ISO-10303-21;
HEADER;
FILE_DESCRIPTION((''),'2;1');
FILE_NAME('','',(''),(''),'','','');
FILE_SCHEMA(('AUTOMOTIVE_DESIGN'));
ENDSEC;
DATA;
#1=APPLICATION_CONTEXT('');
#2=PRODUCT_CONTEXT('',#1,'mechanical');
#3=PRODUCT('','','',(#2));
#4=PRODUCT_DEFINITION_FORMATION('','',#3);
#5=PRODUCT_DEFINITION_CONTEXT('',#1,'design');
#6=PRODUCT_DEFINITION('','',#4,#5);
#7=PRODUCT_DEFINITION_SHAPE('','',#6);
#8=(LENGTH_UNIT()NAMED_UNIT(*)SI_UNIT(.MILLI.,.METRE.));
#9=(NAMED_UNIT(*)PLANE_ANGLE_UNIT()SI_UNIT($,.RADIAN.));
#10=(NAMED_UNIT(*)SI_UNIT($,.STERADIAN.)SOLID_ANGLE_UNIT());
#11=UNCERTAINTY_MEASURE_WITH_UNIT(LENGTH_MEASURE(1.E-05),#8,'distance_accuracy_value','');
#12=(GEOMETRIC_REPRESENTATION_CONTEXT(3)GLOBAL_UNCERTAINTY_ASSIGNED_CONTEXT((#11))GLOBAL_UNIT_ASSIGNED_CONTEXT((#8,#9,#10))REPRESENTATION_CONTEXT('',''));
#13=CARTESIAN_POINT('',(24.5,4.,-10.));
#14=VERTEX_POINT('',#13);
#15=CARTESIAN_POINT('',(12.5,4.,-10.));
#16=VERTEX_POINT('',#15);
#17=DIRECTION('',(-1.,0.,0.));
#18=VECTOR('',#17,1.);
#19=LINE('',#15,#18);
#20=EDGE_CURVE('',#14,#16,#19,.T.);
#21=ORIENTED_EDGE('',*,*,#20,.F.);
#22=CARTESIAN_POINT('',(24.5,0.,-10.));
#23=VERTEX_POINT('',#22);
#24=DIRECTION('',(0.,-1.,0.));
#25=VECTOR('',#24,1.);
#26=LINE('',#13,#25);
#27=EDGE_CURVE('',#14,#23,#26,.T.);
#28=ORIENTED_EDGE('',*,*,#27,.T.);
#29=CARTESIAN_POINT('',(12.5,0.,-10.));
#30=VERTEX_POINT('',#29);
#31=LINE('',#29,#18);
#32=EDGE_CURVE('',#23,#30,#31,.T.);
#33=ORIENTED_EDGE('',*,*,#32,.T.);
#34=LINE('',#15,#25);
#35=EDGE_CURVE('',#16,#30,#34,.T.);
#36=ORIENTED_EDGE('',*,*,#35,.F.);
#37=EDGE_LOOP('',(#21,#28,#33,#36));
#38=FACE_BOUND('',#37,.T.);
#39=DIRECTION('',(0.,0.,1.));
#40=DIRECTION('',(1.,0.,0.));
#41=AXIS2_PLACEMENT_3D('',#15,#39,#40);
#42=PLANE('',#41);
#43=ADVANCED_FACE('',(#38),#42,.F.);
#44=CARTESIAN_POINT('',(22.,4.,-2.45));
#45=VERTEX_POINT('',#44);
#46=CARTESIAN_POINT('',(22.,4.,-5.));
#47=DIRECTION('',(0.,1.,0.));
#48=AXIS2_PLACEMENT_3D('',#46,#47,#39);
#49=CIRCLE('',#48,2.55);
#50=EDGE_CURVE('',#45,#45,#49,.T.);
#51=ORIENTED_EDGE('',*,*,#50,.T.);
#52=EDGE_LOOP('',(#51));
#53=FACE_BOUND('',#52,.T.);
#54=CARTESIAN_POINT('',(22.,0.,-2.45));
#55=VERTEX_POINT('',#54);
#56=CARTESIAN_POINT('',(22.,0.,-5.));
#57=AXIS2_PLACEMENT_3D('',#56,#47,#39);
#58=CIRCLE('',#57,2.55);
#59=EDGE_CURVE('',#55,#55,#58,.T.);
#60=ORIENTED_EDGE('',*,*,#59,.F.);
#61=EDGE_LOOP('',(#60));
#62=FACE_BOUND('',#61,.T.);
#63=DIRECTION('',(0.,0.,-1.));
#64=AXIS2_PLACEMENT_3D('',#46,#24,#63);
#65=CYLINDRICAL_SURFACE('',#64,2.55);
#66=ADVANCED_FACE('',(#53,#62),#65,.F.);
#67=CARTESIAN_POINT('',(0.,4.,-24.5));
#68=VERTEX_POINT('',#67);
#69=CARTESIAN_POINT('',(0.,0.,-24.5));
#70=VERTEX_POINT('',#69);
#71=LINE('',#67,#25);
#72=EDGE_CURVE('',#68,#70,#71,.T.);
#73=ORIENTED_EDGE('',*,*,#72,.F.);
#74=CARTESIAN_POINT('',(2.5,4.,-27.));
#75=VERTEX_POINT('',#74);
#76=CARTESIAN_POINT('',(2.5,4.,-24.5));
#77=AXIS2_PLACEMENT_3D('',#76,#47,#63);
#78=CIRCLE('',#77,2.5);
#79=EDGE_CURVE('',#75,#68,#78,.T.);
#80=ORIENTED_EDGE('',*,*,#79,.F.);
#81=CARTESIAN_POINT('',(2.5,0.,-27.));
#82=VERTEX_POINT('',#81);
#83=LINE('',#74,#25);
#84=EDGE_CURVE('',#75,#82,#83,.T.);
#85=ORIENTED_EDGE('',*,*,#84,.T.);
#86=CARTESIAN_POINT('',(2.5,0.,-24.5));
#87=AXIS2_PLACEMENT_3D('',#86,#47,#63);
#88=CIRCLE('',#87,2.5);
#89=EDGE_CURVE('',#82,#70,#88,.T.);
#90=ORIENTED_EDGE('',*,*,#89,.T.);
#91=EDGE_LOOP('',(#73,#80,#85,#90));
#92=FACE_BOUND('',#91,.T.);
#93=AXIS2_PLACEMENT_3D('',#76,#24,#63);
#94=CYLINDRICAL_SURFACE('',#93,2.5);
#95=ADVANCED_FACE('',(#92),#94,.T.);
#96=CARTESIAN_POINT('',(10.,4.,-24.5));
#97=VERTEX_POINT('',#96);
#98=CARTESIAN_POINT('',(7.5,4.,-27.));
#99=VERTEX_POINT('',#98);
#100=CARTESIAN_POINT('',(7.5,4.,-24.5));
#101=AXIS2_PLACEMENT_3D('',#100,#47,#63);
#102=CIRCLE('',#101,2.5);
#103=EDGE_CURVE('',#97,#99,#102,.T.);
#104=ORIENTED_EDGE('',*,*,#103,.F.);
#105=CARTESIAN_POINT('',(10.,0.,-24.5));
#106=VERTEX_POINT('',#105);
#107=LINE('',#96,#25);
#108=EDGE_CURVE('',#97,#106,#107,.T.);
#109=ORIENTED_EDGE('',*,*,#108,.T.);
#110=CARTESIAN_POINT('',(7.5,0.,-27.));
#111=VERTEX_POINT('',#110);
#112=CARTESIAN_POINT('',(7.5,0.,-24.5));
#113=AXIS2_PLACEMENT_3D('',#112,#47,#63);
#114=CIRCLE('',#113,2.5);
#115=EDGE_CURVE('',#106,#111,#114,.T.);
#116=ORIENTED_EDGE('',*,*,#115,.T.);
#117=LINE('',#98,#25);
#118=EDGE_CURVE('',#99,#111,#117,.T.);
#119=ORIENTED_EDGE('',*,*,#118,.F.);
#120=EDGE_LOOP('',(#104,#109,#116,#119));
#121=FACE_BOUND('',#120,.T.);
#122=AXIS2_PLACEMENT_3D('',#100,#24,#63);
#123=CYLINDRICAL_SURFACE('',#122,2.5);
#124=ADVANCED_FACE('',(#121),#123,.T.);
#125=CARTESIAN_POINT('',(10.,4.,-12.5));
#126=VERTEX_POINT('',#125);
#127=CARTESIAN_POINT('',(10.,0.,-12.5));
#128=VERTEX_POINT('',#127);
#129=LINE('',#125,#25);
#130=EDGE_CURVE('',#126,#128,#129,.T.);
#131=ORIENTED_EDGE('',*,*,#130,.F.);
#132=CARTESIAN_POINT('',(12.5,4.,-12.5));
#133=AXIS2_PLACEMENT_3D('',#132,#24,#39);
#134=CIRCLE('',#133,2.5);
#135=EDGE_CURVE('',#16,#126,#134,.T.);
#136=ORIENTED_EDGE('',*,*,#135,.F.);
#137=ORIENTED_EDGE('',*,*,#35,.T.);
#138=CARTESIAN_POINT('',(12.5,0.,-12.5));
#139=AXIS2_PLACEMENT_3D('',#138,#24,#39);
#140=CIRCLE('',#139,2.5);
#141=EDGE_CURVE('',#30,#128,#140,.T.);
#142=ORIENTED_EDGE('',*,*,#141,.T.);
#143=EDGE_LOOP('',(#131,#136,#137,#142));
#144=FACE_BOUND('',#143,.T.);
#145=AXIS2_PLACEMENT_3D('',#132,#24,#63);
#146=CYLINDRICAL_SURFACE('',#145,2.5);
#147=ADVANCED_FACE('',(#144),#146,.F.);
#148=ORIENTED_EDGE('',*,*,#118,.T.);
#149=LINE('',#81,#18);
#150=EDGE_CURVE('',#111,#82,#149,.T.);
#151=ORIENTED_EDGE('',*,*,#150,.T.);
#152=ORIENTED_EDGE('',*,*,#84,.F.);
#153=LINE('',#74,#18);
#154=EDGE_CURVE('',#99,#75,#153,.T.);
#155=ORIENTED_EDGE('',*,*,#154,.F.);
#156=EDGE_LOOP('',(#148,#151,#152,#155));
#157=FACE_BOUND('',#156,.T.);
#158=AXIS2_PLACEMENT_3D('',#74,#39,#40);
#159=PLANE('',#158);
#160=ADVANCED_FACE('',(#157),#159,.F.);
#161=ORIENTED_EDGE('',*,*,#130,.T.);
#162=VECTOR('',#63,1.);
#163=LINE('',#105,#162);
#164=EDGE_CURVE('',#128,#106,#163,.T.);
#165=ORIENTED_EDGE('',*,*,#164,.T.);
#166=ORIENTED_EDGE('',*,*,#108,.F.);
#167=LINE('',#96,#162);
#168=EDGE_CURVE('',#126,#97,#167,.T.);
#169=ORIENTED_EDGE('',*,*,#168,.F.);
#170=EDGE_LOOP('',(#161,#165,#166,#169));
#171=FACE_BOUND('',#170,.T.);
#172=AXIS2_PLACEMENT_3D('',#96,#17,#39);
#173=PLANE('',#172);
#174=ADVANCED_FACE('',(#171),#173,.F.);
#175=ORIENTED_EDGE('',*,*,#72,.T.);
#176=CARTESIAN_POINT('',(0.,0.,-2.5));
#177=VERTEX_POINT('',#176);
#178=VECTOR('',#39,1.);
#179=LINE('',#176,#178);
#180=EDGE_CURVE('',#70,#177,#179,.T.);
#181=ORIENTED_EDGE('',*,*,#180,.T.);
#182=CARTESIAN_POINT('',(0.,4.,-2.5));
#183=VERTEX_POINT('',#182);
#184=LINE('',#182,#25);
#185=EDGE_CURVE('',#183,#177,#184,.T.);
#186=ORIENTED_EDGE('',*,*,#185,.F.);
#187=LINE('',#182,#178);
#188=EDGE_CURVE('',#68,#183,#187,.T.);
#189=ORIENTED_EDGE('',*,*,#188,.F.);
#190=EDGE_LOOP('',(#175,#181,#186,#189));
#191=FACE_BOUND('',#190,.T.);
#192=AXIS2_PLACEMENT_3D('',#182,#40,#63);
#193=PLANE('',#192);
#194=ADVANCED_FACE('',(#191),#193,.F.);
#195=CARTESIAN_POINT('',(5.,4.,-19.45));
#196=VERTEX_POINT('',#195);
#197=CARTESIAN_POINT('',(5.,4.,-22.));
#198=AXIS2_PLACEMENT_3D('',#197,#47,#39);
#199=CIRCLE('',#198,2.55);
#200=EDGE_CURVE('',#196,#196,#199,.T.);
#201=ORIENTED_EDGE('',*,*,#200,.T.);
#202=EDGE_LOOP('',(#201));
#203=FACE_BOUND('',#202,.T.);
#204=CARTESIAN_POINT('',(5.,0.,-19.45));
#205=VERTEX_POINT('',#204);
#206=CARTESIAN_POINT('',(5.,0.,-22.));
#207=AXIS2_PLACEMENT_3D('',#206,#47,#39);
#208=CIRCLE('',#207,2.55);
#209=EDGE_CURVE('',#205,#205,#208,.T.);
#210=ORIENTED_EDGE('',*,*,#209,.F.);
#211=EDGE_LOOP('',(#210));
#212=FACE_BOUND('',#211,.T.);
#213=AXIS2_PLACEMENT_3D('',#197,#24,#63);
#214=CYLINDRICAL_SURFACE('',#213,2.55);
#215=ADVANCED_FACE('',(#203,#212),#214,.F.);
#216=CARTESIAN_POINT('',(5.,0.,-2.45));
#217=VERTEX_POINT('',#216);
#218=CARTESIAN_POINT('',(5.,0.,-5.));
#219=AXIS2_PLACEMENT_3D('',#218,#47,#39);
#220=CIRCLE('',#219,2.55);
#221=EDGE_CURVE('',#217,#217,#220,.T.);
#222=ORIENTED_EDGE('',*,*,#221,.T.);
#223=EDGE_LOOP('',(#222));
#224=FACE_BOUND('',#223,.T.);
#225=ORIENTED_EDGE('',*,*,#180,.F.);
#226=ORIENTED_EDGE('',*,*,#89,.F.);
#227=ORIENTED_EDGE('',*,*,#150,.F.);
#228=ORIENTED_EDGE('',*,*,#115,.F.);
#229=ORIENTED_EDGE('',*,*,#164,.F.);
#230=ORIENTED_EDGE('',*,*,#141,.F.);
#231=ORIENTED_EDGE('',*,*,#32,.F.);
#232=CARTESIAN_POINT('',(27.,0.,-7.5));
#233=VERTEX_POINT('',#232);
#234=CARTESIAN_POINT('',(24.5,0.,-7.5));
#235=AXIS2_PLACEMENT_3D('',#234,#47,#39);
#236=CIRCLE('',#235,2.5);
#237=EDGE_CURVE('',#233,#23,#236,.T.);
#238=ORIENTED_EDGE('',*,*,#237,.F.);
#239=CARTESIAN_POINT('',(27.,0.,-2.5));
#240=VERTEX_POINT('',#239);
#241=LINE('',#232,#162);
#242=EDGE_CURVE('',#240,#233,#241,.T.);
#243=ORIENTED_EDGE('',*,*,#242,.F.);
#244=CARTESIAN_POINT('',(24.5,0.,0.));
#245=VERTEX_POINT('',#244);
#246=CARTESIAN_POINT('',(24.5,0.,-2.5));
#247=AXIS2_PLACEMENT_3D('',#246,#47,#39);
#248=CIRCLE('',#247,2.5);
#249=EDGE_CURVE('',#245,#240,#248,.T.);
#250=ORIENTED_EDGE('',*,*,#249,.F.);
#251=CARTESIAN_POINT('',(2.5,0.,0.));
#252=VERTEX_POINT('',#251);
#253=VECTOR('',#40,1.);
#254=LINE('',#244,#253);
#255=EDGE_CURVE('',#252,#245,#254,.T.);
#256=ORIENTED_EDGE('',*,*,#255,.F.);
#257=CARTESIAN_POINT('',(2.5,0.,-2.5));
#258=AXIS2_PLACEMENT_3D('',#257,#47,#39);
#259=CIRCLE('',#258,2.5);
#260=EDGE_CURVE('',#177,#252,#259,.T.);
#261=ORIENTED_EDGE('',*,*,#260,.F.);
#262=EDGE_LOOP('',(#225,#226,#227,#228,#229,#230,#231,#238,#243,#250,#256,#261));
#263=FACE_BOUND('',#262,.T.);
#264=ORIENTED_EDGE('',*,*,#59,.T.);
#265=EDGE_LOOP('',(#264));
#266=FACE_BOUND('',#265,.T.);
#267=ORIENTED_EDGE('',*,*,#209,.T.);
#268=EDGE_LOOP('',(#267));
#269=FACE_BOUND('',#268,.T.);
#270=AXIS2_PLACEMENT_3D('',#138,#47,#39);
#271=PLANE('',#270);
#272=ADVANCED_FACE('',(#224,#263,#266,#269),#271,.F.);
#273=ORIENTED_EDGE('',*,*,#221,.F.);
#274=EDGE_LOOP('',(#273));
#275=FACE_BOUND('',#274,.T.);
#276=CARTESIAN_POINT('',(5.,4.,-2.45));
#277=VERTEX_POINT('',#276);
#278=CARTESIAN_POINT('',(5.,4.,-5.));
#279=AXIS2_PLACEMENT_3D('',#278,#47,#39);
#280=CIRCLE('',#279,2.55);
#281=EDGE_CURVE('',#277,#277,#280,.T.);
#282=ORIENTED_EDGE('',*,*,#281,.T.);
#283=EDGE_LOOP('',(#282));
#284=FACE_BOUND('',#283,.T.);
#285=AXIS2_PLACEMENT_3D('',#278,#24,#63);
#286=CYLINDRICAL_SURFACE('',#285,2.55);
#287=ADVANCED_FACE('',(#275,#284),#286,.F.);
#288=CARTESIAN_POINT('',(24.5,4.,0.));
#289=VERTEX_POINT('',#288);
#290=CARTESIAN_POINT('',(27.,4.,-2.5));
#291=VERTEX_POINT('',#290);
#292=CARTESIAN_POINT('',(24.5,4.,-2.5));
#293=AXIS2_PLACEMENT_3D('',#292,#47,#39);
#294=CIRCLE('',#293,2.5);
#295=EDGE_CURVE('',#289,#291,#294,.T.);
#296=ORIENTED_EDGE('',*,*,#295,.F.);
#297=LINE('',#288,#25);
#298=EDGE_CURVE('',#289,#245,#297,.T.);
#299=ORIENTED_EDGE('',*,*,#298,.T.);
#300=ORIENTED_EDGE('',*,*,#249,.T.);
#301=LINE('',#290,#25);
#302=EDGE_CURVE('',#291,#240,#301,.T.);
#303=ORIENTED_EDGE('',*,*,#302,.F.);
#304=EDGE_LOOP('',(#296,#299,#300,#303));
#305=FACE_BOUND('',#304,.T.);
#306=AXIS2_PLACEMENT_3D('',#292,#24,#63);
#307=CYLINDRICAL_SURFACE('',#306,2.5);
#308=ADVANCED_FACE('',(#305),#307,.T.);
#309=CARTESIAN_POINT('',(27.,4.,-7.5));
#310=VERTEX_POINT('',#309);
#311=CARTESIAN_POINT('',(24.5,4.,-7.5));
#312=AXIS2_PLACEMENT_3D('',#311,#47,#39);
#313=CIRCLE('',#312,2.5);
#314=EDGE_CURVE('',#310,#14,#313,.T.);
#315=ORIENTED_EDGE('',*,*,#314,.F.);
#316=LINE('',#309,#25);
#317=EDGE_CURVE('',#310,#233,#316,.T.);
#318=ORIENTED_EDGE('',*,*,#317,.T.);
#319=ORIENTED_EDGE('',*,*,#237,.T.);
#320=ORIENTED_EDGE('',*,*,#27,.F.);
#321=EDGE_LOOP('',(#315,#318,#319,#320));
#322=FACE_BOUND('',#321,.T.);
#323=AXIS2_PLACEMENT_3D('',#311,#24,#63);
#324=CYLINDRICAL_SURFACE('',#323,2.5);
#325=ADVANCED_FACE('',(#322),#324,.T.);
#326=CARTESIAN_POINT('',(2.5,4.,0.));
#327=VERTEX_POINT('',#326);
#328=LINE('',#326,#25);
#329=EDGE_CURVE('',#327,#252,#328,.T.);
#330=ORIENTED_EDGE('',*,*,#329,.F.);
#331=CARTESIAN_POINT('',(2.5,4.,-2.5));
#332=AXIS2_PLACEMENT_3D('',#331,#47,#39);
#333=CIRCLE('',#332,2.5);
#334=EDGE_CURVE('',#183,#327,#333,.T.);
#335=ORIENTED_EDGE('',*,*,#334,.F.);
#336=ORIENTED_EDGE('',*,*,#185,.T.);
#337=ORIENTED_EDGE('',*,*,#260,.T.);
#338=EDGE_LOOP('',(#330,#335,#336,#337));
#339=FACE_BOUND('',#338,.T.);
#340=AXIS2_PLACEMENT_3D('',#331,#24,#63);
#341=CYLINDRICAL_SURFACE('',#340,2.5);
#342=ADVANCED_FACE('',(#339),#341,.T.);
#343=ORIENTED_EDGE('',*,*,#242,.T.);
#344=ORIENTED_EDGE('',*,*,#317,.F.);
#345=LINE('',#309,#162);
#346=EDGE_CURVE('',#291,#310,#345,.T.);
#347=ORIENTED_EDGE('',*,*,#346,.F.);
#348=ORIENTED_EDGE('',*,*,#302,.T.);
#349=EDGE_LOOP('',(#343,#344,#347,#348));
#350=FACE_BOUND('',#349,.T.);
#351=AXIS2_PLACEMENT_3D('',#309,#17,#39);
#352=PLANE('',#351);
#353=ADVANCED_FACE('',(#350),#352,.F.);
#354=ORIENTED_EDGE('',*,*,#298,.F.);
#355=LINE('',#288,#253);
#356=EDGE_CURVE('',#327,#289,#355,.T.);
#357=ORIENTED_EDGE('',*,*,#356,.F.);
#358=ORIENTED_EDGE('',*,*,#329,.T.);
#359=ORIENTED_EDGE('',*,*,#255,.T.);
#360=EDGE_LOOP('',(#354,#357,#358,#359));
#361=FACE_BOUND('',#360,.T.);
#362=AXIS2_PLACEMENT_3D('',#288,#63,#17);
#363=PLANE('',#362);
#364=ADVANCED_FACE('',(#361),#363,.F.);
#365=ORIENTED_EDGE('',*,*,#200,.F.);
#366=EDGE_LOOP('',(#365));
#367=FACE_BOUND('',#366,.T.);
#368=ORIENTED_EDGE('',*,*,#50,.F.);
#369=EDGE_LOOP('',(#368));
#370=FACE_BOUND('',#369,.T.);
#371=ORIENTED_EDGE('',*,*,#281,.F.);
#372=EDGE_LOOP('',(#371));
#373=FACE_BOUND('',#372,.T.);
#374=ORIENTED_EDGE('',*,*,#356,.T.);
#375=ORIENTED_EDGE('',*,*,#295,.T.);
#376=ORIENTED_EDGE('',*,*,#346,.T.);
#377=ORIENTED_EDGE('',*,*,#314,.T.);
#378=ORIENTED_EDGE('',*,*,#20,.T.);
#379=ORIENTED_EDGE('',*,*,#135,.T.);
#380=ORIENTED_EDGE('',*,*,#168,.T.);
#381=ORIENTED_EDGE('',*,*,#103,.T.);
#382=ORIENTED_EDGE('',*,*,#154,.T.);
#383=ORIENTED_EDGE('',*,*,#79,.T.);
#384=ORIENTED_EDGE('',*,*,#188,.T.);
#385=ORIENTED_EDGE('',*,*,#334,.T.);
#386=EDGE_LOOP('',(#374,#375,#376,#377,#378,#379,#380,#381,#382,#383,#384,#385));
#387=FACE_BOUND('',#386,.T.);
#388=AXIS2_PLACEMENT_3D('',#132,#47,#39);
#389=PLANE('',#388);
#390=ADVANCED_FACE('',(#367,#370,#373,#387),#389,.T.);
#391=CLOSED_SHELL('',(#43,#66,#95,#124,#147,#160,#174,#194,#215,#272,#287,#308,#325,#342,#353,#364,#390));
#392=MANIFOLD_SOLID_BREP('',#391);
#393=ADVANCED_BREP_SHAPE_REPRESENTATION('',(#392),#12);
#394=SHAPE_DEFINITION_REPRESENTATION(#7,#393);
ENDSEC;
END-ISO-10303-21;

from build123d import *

# Parameters (mm, degrees)
SKETCH1_R           = 2.55
BOSS_EXTRUDE1_DEPTH = 4


with BuildPart() as part:
    # Sketch1 → Boss-Extrude1 (new body)
    with BuildSketch(Plane(origin=(0, 0, 0), x_dir=(1, 0, 0), z_dir=(0, 1, 0))):
        with BuildLine():
            Line((0, 2.5), (0, 24.5))
            ThreePointArc((0, 24.5), (0.732233047, 26.267766953), (2.5, 27))
            Line((2.5, 27), (7.5, 27))
            ThreePointArc((7.5, 27), (9.267766953, 26.267766953), (10, 24.5))
            Line((10, 24.5), (10, 12.5))
            ThreePointArc((10, 12.5), (10.732233047, 10.732233047), (12.5, 10))
            Line((12.5, 10), (24.5, 10))
            ThreePointArc((24.5, 10), (26.267766953, 9.267766953), (27, 7.5))
            Line((27, 7.5), (27, 2.5))
            ThreePointArc((27, 2.5), (26.267766953, 0.732233047), (24.5, 0))
            Line((24.5, 0), (2.5, 0))
            ThreePointArc((2.5, 0), (0.732233047, 0.732233047), (0, 2.5))
        make_face()
        with Locations(Location((22, 5, 0), (0, 0, 270))):
            Circle(SKETCH1_R, mode=Mode.SUBTRACT)
        with Locations(Location((5, 5, 0), (0, 0, 270))):
            Circle(SKETCH1_R, mode=Mode.SUBTRACT)
        with Locations(Location((5, 22, 0), (0, 0, 270))):
            Circle(SKETCH1_R, mode=Mode.SUBTRACT)
    extrude(amount=BOSS_EXTRUDE1_DEPTH)


solid = part.part
